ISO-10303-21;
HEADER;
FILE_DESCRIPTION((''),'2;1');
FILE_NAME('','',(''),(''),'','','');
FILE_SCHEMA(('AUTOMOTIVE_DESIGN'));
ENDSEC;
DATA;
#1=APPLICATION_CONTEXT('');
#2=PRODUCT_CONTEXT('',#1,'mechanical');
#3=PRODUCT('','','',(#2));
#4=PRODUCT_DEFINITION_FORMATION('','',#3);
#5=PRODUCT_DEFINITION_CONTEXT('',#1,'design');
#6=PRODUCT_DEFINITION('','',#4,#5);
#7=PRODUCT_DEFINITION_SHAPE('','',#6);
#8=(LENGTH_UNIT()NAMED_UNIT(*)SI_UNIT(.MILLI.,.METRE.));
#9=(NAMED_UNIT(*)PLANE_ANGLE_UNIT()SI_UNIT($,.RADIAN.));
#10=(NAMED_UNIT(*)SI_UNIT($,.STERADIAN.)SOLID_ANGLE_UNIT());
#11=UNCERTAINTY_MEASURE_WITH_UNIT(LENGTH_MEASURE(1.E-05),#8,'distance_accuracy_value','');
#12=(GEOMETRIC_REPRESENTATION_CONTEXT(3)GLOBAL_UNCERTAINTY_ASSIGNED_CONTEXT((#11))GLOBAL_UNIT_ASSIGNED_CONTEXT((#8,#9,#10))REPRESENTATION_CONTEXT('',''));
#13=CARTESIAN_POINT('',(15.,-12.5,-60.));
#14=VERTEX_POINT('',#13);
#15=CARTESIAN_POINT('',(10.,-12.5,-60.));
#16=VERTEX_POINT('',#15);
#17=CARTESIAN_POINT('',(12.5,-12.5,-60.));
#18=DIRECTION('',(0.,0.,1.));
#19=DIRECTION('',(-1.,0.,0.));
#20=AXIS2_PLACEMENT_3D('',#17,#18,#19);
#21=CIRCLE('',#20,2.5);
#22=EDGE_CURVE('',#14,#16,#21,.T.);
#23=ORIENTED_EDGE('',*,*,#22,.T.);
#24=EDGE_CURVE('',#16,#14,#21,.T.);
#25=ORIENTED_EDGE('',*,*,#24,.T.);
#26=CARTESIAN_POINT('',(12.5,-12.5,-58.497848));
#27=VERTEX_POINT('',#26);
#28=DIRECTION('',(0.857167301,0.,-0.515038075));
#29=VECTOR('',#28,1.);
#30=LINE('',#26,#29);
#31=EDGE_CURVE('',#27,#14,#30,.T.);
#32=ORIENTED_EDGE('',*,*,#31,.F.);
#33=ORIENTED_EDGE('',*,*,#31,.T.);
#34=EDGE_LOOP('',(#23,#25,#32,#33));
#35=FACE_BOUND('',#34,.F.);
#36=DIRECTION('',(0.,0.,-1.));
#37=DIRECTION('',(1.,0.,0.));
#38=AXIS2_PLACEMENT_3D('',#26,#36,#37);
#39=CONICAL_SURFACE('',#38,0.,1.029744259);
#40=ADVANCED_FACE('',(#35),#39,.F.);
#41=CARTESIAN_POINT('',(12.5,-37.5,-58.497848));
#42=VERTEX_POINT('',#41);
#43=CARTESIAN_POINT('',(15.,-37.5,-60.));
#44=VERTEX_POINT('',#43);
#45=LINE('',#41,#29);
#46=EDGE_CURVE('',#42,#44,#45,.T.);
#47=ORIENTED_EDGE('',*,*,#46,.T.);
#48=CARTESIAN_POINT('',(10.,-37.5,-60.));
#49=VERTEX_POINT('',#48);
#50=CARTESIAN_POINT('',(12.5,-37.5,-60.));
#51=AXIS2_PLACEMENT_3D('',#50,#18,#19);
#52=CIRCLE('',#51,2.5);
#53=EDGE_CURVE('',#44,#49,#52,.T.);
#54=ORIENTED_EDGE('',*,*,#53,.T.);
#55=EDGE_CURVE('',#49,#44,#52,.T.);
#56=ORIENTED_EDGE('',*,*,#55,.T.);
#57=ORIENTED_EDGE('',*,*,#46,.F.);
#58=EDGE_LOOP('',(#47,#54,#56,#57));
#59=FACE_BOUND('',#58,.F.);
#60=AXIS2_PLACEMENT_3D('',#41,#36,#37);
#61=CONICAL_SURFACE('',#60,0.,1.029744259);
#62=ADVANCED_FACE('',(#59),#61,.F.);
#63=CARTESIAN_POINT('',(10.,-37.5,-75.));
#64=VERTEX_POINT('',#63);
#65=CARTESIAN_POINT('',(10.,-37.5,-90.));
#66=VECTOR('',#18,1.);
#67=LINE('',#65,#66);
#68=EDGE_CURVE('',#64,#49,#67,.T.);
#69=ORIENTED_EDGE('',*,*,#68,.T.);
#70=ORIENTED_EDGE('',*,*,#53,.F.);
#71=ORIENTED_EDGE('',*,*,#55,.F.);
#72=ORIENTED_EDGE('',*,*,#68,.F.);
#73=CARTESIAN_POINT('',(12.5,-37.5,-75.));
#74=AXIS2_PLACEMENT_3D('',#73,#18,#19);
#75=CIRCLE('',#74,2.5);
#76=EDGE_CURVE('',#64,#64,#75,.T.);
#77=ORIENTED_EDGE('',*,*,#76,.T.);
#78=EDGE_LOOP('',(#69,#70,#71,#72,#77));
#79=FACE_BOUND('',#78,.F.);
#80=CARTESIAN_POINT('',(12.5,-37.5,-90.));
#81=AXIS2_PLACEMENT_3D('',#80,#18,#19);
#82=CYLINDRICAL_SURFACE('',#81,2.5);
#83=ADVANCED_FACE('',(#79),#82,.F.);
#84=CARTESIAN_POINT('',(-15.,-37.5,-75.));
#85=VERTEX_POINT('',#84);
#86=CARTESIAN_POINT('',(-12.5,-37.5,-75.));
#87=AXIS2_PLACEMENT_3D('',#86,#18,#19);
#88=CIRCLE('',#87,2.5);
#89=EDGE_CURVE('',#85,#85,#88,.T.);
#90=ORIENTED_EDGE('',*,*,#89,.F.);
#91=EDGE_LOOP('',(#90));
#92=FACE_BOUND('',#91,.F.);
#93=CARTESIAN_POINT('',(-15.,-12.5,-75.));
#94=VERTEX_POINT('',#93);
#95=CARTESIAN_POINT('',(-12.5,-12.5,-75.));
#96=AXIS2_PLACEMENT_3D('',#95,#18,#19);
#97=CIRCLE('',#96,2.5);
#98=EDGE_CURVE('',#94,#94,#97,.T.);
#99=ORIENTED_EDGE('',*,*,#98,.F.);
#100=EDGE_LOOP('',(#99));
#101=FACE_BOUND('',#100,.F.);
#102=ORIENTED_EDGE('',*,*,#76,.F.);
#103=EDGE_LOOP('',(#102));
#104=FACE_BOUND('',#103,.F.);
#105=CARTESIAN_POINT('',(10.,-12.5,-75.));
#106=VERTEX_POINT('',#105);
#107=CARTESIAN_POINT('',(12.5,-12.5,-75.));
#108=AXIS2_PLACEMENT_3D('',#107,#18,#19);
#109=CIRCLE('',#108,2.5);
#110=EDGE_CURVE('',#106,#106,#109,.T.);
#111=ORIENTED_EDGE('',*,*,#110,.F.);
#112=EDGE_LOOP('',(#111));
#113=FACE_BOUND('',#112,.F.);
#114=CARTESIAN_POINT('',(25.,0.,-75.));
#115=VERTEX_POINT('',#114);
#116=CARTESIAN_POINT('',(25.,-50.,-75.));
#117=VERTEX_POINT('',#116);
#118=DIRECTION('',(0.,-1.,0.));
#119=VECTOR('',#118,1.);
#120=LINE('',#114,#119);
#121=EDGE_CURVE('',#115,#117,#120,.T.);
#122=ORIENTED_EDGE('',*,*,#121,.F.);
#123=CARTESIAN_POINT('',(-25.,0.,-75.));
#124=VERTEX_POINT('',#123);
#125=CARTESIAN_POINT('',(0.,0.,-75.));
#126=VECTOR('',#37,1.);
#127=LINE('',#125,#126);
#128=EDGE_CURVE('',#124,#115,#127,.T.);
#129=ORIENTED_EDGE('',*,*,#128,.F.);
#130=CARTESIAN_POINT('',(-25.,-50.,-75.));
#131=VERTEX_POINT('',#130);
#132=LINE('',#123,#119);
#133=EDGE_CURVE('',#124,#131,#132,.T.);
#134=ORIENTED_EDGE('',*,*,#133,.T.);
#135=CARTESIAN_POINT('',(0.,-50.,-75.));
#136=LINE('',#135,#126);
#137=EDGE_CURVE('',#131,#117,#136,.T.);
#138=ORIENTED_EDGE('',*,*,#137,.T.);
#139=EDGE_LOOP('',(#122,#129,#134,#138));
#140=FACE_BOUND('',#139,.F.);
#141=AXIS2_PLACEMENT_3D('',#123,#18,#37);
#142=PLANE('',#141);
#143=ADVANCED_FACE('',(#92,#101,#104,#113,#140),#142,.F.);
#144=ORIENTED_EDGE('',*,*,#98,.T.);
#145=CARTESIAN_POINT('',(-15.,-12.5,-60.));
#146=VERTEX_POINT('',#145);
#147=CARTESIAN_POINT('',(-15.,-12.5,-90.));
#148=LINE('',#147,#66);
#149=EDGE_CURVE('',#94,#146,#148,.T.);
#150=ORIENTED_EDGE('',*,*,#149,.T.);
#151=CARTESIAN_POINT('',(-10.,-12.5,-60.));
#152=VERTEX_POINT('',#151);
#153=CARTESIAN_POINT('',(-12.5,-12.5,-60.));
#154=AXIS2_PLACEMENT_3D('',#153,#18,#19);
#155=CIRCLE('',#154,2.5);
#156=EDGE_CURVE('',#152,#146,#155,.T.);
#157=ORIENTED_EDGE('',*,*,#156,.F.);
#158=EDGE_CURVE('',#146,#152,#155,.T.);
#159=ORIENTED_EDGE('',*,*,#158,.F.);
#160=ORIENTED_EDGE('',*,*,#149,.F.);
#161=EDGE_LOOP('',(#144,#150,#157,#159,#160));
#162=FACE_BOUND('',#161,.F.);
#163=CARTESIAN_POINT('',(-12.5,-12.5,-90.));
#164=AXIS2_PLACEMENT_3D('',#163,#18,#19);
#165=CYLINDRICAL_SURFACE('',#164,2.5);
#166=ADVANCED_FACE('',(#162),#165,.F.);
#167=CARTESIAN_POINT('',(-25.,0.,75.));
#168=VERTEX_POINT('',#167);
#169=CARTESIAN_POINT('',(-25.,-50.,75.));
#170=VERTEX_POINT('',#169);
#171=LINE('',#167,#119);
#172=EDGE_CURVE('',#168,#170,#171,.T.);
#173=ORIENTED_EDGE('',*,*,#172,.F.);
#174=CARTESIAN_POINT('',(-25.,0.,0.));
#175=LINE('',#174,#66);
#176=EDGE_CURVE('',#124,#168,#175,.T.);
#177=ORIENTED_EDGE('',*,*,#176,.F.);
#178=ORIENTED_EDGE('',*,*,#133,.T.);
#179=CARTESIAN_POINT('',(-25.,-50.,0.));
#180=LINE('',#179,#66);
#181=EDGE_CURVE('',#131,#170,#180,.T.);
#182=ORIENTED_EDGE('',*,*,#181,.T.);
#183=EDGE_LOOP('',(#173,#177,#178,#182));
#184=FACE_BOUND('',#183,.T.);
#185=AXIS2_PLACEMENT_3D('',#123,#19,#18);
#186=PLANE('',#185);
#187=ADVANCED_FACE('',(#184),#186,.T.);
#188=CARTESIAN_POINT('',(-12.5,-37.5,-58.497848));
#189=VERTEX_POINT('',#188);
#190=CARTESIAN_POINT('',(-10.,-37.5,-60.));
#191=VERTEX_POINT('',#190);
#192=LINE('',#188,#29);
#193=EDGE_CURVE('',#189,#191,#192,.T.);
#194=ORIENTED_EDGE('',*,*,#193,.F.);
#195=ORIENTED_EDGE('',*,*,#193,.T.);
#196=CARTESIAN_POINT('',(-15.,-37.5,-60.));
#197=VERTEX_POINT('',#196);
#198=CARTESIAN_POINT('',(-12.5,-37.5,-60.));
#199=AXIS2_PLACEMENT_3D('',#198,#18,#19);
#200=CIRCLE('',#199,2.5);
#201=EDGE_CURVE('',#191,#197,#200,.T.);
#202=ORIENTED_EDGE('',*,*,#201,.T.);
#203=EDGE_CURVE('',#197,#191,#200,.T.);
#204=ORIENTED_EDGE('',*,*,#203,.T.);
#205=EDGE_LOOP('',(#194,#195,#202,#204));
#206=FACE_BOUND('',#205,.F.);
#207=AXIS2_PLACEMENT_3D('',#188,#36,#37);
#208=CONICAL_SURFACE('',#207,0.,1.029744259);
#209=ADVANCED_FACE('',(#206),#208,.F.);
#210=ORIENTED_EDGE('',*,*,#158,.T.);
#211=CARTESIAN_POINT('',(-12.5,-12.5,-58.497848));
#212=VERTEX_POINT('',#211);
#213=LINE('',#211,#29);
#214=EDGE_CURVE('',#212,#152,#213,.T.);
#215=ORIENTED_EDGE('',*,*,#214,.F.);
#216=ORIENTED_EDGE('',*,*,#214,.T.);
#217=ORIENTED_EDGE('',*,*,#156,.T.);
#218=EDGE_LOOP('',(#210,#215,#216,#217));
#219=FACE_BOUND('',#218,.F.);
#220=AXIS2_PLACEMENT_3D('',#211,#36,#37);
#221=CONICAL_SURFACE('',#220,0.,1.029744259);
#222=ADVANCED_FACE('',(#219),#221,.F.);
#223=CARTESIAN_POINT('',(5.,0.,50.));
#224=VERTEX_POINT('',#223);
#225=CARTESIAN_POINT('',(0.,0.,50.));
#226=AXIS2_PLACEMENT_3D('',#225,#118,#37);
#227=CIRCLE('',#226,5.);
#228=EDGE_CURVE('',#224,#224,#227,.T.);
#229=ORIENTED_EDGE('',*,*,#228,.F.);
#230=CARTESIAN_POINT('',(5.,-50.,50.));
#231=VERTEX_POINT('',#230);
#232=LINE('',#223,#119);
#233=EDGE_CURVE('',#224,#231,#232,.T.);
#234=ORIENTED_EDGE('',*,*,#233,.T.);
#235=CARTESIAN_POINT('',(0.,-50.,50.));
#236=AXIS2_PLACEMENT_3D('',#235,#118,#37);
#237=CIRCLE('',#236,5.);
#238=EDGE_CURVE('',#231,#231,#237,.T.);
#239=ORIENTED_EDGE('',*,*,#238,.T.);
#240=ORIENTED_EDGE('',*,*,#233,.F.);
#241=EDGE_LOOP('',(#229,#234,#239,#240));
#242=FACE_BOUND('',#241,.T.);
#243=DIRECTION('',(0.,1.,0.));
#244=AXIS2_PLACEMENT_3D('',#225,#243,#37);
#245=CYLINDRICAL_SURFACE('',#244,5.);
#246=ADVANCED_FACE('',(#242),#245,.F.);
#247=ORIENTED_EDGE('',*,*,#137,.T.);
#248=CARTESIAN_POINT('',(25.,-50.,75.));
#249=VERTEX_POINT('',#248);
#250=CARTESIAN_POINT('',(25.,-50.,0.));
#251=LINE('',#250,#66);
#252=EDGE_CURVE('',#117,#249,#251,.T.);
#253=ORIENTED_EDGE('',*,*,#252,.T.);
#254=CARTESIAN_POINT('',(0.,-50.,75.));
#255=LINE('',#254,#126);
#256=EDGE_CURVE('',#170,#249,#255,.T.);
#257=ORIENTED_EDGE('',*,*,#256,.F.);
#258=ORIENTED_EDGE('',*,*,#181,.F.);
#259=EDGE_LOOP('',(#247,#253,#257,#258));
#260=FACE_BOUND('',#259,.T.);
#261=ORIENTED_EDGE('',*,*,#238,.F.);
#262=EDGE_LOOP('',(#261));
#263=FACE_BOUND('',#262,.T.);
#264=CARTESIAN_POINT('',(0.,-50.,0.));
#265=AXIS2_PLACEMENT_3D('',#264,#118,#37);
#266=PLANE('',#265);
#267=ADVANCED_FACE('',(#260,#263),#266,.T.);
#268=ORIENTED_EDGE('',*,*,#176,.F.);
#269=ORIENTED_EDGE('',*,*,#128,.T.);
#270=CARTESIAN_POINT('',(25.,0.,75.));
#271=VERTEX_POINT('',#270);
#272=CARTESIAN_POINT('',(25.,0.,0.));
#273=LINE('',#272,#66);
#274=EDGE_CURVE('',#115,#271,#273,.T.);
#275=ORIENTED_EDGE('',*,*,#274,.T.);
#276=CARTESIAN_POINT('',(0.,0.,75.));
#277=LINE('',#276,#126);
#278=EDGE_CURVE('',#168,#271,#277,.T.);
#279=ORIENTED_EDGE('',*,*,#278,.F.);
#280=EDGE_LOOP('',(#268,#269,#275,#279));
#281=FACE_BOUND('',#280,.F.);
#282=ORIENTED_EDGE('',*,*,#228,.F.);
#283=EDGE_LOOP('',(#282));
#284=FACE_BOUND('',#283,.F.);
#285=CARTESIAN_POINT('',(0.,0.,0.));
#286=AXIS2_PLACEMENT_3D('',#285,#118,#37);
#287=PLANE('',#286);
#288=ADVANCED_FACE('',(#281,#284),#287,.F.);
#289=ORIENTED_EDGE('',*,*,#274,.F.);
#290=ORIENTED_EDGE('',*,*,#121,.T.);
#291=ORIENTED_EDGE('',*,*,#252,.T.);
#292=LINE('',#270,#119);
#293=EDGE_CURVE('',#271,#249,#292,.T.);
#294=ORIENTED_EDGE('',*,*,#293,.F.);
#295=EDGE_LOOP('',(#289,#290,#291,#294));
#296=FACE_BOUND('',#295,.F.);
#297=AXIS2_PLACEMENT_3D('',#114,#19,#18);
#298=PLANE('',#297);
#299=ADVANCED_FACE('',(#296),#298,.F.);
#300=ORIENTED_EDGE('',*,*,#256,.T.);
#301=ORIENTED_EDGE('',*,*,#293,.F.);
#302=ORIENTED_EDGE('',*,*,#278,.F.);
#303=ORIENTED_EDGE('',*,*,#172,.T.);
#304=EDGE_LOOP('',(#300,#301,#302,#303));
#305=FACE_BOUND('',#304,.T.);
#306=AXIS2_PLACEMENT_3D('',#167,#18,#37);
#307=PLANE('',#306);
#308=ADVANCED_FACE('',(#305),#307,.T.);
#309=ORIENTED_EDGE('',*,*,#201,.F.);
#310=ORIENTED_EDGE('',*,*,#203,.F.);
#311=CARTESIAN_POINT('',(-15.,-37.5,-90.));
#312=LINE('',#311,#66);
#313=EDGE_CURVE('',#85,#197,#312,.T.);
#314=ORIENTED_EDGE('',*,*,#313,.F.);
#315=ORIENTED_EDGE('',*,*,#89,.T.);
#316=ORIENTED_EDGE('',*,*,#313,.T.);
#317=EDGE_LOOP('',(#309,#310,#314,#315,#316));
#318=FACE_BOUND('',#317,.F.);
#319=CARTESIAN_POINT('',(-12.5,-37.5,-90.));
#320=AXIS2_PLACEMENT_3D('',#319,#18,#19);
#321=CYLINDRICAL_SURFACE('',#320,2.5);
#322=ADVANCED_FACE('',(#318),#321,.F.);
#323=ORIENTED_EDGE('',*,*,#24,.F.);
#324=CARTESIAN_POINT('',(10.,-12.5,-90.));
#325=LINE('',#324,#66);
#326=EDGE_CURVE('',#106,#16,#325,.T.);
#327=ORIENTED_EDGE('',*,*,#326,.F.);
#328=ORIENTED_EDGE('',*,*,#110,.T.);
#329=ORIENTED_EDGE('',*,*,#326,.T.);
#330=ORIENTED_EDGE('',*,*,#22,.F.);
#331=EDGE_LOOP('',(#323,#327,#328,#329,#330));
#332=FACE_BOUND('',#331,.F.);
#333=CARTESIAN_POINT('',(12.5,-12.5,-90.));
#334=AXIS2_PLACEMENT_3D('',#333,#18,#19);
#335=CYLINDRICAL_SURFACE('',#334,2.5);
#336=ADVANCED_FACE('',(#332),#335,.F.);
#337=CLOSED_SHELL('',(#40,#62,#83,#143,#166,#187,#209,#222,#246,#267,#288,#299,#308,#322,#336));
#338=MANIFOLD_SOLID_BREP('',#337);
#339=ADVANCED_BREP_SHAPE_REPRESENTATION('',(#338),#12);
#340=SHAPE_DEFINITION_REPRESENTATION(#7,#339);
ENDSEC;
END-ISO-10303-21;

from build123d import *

# Parameters (mm, degrees)
F0_W     = 50
F0_H     = 150
F0_R     = 5
F1_DEPTH = 50
F3_D     = 5
F3_DEPTH = 15
F3_TIP   = 1.5021515476


with BuildPart() as f1:
    # F0 (on Front) → F1 (new body)
    with BuildSketch(Plane.XZ):
        Rectangle(F0_W, F0_H)
        with Locations((0, 50)):
            Circle(F0_R, mode=Mode.SUBTRACT)
    extrude(amount=F1_DEPTH)

    # F3
    with Locations(Plane(origin=(0, 0, -75), x_dir=(1, 0, 0), z_dir=(0, 0, -1))):
        with Locations((12.5, 37.5), (12.5, 12.5), (-12.5, 12.5), (-12.5, 37.5)):
            Hole(F3_D / 2, depth=F3_DEPTH)
            with Locations((0, 0, -(F3_DEPTH + F3_TIP / 2))):  # 118° drill point
                Cone(0, F3_D / 2, F3_TIP, mode=Mode.SUBTRACT)


solid = f1.part
